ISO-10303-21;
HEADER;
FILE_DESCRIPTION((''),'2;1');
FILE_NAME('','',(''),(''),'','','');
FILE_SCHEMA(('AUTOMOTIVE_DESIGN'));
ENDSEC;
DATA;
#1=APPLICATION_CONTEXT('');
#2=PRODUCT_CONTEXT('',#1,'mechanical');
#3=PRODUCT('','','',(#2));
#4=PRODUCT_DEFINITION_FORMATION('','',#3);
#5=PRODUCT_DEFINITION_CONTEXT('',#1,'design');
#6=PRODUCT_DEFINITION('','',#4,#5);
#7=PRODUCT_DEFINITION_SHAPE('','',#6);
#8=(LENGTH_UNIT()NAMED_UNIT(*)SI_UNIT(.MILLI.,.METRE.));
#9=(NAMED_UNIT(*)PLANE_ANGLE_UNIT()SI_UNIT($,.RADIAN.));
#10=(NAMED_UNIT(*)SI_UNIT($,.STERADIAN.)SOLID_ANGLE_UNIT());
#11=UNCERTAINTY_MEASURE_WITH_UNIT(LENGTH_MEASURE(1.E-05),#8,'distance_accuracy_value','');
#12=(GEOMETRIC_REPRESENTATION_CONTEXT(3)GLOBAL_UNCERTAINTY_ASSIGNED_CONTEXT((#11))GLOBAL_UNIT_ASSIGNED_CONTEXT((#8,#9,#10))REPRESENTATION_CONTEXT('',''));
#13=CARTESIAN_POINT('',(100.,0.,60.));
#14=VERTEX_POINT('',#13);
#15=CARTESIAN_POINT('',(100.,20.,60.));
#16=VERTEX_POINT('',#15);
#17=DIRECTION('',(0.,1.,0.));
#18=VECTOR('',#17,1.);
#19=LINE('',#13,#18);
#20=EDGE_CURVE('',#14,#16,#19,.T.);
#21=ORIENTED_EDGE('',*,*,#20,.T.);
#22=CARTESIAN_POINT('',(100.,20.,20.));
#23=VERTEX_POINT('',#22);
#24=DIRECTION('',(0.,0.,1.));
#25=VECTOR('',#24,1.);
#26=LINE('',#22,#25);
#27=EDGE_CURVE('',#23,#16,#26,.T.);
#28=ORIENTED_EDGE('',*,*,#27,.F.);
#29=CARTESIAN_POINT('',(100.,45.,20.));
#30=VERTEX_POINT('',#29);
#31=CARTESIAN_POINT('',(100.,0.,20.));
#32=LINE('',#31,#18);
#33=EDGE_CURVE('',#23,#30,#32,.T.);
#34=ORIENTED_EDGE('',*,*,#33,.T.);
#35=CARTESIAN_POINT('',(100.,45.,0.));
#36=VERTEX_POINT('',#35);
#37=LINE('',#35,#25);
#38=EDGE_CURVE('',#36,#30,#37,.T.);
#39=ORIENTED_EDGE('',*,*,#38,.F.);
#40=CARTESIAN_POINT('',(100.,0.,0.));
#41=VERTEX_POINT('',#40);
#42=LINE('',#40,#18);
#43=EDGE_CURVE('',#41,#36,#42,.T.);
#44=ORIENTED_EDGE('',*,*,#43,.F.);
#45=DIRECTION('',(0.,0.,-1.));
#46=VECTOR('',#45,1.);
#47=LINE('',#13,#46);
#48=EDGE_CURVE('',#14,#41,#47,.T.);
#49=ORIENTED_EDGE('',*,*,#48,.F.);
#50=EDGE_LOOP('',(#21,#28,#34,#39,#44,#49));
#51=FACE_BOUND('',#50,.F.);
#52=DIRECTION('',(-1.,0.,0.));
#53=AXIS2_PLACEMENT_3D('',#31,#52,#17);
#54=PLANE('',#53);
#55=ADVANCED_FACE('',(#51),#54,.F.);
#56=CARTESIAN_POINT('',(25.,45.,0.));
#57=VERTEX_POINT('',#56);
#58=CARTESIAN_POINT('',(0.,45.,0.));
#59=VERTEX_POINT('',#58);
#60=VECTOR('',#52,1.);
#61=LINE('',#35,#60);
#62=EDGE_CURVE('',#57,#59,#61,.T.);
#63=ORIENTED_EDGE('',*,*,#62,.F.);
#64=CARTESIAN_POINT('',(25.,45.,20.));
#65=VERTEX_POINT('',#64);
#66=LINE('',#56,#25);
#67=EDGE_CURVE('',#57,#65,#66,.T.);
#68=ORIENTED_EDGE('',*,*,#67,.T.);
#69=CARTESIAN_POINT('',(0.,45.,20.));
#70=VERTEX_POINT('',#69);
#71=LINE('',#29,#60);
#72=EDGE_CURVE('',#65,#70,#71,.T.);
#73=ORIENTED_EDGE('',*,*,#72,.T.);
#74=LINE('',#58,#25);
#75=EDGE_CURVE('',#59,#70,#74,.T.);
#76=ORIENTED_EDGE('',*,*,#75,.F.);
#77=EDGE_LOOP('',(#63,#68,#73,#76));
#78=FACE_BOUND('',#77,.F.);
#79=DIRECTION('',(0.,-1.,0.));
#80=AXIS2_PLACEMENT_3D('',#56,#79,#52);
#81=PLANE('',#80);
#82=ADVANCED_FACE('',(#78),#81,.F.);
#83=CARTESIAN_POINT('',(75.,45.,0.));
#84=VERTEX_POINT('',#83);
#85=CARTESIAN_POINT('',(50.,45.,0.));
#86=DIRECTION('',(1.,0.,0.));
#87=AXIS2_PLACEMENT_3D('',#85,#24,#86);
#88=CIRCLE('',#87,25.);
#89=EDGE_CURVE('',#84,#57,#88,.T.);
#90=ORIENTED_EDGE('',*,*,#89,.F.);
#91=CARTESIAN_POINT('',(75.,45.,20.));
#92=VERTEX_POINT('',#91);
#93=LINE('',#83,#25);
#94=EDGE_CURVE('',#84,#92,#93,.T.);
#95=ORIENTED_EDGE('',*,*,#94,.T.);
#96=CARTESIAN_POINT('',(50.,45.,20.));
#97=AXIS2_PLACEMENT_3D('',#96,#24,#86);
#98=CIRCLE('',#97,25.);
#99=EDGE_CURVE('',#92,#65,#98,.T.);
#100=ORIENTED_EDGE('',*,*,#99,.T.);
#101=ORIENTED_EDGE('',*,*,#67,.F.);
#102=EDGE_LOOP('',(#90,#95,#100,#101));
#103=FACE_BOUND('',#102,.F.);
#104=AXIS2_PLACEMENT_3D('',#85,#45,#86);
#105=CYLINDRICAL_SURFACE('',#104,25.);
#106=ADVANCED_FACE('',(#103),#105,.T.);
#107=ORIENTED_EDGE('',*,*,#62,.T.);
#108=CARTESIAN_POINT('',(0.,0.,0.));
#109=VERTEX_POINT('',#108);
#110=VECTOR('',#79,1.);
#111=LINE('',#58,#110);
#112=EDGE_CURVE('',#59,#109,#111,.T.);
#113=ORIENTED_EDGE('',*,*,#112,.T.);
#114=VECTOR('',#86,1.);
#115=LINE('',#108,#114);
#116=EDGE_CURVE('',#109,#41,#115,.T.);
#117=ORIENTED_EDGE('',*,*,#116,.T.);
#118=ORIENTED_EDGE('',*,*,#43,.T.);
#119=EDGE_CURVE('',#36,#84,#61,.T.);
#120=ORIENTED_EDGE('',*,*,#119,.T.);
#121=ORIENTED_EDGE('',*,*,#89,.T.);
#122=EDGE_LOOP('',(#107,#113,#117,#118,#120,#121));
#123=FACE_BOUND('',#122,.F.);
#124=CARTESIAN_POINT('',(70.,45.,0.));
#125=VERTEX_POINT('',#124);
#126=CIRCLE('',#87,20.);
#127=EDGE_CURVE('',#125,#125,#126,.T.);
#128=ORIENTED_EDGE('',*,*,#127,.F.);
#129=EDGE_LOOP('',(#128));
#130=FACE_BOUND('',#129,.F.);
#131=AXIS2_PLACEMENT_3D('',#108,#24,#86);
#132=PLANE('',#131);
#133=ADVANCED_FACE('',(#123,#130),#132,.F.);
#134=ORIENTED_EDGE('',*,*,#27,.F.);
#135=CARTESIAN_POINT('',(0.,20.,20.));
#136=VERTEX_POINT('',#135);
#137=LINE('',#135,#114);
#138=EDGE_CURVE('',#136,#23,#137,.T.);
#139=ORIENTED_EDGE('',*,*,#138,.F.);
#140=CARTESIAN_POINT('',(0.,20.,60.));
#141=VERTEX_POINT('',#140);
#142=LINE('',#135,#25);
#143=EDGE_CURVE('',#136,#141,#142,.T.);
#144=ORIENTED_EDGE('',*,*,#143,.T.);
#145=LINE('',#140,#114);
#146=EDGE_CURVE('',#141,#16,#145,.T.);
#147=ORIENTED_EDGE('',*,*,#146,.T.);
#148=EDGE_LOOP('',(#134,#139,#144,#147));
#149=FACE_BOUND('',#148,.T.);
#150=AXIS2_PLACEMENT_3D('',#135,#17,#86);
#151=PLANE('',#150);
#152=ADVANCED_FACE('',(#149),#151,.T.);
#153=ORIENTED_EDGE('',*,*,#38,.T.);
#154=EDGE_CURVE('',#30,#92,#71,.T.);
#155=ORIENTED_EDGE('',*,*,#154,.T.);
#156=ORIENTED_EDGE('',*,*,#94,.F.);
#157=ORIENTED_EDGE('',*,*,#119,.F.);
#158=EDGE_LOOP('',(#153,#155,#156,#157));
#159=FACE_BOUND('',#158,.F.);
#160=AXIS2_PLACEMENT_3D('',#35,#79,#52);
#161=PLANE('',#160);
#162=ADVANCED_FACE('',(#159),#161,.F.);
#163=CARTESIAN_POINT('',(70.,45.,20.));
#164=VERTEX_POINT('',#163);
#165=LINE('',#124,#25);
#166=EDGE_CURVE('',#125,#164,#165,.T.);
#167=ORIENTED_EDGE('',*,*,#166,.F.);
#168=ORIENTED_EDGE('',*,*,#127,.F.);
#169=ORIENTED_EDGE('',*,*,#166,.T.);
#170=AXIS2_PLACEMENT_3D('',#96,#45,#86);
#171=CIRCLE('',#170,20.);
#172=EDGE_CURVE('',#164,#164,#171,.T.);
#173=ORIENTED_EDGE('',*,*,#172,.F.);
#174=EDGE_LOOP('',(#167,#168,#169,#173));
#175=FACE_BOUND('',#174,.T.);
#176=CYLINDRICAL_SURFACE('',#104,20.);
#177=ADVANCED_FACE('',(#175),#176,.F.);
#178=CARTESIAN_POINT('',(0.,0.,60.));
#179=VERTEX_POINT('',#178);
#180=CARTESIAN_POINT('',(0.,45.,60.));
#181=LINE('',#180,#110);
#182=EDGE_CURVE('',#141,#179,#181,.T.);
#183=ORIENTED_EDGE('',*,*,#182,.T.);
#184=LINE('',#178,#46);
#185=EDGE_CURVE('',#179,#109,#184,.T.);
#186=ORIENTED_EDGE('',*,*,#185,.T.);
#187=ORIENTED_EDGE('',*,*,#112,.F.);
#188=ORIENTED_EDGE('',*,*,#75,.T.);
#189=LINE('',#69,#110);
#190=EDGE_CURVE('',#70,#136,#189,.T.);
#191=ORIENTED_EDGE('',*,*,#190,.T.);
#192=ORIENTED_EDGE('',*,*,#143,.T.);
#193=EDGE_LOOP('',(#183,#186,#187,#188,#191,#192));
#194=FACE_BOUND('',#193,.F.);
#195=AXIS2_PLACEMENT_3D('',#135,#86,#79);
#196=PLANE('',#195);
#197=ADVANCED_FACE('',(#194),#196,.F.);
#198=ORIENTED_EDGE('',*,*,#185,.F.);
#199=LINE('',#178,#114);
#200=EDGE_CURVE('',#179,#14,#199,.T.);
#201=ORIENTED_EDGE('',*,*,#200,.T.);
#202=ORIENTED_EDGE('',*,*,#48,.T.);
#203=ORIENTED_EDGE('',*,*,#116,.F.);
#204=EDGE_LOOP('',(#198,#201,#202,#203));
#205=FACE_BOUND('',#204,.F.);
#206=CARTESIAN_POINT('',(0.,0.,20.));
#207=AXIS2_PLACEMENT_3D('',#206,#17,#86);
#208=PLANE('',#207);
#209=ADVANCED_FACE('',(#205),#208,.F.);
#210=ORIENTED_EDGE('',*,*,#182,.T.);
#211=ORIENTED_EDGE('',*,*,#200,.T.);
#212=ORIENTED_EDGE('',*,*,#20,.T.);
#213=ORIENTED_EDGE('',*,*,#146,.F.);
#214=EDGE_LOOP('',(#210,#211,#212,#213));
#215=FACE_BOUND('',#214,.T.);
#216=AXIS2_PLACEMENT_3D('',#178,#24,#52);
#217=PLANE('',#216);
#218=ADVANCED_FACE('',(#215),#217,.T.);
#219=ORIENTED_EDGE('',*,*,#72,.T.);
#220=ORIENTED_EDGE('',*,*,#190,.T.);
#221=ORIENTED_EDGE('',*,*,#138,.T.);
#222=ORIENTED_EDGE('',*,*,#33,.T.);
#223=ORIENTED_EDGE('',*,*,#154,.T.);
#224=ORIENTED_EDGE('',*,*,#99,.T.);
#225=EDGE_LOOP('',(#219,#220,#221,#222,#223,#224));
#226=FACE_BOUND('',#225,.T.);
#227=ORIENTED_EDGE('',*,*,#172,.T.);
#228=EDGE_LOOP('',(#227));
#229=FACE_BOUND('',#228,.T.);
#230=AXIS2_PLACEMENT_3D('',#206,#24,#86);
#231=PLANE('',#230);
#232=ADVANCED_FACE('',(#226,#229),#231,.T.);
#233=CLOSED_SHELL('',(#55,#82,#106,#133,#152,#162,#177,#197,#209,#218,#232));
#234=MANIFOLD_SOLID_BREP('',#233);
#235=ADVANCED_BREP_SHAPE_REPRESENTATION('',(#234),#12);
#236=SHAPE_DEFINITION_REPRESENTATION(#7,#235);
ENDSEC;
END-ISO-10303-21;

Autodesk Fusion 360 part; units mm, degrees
sketch "Sketch1" plane through (0, 0, 0) normal (0, 0, 1) x (1, 0, 0)
  line L0 (0, 0) -> (100, 0)
  line L1 (100, 0) -> (100, 45)
  line L2 (100, 45) -> (0, 45)
  line L3 (0, 45) -> (0, 0)
  circle A0 centre (50, 45) radius 20
  arc A1 (75, 45) -> (25, 45) centre (50, 45) ccw
  dimension "d1" = 100
  dimension "d2" = 45
  dimension "d3" = 40
  dimension "d4" = 50
extrude "Extrude1" add sketch "Sketch1" along normal blind 20 contours L0 L1 L2 L3 A0 | L2 A0 A1
sketch "Sketch2" plane through (0, 0, 20) normal (0, 0, 1) x (-1, 0, 0)
  circle A0 centre (-50, -45) radius 20
  arc A1 (-75, -45) -> (-25, -45) centre (-50, -45) ccw
  line L0 (-25, -45) -> (0, -45)
  line L1 (0, -45) -> (0, 0)
  line L2 (0, 0) -> (-100, 0)
  line L3 (-100, 0) -> (-100, -45)
  line L4 (-100, -45) -> (-75, -45)
  line L5 (0, 0) -> (0, -20)
  line L6 (0, -20) -> (-100, -20)
  line L7 (-100, -20) -> (-100, 0)
  line L8 (-100, 0) -> (0, 0)
  dimension "d7" = 20
extrude "Extrude2" add sketch "Sketch2" along normal blind 40 contours L1 L2 L3 L5 L6 L7 L8
